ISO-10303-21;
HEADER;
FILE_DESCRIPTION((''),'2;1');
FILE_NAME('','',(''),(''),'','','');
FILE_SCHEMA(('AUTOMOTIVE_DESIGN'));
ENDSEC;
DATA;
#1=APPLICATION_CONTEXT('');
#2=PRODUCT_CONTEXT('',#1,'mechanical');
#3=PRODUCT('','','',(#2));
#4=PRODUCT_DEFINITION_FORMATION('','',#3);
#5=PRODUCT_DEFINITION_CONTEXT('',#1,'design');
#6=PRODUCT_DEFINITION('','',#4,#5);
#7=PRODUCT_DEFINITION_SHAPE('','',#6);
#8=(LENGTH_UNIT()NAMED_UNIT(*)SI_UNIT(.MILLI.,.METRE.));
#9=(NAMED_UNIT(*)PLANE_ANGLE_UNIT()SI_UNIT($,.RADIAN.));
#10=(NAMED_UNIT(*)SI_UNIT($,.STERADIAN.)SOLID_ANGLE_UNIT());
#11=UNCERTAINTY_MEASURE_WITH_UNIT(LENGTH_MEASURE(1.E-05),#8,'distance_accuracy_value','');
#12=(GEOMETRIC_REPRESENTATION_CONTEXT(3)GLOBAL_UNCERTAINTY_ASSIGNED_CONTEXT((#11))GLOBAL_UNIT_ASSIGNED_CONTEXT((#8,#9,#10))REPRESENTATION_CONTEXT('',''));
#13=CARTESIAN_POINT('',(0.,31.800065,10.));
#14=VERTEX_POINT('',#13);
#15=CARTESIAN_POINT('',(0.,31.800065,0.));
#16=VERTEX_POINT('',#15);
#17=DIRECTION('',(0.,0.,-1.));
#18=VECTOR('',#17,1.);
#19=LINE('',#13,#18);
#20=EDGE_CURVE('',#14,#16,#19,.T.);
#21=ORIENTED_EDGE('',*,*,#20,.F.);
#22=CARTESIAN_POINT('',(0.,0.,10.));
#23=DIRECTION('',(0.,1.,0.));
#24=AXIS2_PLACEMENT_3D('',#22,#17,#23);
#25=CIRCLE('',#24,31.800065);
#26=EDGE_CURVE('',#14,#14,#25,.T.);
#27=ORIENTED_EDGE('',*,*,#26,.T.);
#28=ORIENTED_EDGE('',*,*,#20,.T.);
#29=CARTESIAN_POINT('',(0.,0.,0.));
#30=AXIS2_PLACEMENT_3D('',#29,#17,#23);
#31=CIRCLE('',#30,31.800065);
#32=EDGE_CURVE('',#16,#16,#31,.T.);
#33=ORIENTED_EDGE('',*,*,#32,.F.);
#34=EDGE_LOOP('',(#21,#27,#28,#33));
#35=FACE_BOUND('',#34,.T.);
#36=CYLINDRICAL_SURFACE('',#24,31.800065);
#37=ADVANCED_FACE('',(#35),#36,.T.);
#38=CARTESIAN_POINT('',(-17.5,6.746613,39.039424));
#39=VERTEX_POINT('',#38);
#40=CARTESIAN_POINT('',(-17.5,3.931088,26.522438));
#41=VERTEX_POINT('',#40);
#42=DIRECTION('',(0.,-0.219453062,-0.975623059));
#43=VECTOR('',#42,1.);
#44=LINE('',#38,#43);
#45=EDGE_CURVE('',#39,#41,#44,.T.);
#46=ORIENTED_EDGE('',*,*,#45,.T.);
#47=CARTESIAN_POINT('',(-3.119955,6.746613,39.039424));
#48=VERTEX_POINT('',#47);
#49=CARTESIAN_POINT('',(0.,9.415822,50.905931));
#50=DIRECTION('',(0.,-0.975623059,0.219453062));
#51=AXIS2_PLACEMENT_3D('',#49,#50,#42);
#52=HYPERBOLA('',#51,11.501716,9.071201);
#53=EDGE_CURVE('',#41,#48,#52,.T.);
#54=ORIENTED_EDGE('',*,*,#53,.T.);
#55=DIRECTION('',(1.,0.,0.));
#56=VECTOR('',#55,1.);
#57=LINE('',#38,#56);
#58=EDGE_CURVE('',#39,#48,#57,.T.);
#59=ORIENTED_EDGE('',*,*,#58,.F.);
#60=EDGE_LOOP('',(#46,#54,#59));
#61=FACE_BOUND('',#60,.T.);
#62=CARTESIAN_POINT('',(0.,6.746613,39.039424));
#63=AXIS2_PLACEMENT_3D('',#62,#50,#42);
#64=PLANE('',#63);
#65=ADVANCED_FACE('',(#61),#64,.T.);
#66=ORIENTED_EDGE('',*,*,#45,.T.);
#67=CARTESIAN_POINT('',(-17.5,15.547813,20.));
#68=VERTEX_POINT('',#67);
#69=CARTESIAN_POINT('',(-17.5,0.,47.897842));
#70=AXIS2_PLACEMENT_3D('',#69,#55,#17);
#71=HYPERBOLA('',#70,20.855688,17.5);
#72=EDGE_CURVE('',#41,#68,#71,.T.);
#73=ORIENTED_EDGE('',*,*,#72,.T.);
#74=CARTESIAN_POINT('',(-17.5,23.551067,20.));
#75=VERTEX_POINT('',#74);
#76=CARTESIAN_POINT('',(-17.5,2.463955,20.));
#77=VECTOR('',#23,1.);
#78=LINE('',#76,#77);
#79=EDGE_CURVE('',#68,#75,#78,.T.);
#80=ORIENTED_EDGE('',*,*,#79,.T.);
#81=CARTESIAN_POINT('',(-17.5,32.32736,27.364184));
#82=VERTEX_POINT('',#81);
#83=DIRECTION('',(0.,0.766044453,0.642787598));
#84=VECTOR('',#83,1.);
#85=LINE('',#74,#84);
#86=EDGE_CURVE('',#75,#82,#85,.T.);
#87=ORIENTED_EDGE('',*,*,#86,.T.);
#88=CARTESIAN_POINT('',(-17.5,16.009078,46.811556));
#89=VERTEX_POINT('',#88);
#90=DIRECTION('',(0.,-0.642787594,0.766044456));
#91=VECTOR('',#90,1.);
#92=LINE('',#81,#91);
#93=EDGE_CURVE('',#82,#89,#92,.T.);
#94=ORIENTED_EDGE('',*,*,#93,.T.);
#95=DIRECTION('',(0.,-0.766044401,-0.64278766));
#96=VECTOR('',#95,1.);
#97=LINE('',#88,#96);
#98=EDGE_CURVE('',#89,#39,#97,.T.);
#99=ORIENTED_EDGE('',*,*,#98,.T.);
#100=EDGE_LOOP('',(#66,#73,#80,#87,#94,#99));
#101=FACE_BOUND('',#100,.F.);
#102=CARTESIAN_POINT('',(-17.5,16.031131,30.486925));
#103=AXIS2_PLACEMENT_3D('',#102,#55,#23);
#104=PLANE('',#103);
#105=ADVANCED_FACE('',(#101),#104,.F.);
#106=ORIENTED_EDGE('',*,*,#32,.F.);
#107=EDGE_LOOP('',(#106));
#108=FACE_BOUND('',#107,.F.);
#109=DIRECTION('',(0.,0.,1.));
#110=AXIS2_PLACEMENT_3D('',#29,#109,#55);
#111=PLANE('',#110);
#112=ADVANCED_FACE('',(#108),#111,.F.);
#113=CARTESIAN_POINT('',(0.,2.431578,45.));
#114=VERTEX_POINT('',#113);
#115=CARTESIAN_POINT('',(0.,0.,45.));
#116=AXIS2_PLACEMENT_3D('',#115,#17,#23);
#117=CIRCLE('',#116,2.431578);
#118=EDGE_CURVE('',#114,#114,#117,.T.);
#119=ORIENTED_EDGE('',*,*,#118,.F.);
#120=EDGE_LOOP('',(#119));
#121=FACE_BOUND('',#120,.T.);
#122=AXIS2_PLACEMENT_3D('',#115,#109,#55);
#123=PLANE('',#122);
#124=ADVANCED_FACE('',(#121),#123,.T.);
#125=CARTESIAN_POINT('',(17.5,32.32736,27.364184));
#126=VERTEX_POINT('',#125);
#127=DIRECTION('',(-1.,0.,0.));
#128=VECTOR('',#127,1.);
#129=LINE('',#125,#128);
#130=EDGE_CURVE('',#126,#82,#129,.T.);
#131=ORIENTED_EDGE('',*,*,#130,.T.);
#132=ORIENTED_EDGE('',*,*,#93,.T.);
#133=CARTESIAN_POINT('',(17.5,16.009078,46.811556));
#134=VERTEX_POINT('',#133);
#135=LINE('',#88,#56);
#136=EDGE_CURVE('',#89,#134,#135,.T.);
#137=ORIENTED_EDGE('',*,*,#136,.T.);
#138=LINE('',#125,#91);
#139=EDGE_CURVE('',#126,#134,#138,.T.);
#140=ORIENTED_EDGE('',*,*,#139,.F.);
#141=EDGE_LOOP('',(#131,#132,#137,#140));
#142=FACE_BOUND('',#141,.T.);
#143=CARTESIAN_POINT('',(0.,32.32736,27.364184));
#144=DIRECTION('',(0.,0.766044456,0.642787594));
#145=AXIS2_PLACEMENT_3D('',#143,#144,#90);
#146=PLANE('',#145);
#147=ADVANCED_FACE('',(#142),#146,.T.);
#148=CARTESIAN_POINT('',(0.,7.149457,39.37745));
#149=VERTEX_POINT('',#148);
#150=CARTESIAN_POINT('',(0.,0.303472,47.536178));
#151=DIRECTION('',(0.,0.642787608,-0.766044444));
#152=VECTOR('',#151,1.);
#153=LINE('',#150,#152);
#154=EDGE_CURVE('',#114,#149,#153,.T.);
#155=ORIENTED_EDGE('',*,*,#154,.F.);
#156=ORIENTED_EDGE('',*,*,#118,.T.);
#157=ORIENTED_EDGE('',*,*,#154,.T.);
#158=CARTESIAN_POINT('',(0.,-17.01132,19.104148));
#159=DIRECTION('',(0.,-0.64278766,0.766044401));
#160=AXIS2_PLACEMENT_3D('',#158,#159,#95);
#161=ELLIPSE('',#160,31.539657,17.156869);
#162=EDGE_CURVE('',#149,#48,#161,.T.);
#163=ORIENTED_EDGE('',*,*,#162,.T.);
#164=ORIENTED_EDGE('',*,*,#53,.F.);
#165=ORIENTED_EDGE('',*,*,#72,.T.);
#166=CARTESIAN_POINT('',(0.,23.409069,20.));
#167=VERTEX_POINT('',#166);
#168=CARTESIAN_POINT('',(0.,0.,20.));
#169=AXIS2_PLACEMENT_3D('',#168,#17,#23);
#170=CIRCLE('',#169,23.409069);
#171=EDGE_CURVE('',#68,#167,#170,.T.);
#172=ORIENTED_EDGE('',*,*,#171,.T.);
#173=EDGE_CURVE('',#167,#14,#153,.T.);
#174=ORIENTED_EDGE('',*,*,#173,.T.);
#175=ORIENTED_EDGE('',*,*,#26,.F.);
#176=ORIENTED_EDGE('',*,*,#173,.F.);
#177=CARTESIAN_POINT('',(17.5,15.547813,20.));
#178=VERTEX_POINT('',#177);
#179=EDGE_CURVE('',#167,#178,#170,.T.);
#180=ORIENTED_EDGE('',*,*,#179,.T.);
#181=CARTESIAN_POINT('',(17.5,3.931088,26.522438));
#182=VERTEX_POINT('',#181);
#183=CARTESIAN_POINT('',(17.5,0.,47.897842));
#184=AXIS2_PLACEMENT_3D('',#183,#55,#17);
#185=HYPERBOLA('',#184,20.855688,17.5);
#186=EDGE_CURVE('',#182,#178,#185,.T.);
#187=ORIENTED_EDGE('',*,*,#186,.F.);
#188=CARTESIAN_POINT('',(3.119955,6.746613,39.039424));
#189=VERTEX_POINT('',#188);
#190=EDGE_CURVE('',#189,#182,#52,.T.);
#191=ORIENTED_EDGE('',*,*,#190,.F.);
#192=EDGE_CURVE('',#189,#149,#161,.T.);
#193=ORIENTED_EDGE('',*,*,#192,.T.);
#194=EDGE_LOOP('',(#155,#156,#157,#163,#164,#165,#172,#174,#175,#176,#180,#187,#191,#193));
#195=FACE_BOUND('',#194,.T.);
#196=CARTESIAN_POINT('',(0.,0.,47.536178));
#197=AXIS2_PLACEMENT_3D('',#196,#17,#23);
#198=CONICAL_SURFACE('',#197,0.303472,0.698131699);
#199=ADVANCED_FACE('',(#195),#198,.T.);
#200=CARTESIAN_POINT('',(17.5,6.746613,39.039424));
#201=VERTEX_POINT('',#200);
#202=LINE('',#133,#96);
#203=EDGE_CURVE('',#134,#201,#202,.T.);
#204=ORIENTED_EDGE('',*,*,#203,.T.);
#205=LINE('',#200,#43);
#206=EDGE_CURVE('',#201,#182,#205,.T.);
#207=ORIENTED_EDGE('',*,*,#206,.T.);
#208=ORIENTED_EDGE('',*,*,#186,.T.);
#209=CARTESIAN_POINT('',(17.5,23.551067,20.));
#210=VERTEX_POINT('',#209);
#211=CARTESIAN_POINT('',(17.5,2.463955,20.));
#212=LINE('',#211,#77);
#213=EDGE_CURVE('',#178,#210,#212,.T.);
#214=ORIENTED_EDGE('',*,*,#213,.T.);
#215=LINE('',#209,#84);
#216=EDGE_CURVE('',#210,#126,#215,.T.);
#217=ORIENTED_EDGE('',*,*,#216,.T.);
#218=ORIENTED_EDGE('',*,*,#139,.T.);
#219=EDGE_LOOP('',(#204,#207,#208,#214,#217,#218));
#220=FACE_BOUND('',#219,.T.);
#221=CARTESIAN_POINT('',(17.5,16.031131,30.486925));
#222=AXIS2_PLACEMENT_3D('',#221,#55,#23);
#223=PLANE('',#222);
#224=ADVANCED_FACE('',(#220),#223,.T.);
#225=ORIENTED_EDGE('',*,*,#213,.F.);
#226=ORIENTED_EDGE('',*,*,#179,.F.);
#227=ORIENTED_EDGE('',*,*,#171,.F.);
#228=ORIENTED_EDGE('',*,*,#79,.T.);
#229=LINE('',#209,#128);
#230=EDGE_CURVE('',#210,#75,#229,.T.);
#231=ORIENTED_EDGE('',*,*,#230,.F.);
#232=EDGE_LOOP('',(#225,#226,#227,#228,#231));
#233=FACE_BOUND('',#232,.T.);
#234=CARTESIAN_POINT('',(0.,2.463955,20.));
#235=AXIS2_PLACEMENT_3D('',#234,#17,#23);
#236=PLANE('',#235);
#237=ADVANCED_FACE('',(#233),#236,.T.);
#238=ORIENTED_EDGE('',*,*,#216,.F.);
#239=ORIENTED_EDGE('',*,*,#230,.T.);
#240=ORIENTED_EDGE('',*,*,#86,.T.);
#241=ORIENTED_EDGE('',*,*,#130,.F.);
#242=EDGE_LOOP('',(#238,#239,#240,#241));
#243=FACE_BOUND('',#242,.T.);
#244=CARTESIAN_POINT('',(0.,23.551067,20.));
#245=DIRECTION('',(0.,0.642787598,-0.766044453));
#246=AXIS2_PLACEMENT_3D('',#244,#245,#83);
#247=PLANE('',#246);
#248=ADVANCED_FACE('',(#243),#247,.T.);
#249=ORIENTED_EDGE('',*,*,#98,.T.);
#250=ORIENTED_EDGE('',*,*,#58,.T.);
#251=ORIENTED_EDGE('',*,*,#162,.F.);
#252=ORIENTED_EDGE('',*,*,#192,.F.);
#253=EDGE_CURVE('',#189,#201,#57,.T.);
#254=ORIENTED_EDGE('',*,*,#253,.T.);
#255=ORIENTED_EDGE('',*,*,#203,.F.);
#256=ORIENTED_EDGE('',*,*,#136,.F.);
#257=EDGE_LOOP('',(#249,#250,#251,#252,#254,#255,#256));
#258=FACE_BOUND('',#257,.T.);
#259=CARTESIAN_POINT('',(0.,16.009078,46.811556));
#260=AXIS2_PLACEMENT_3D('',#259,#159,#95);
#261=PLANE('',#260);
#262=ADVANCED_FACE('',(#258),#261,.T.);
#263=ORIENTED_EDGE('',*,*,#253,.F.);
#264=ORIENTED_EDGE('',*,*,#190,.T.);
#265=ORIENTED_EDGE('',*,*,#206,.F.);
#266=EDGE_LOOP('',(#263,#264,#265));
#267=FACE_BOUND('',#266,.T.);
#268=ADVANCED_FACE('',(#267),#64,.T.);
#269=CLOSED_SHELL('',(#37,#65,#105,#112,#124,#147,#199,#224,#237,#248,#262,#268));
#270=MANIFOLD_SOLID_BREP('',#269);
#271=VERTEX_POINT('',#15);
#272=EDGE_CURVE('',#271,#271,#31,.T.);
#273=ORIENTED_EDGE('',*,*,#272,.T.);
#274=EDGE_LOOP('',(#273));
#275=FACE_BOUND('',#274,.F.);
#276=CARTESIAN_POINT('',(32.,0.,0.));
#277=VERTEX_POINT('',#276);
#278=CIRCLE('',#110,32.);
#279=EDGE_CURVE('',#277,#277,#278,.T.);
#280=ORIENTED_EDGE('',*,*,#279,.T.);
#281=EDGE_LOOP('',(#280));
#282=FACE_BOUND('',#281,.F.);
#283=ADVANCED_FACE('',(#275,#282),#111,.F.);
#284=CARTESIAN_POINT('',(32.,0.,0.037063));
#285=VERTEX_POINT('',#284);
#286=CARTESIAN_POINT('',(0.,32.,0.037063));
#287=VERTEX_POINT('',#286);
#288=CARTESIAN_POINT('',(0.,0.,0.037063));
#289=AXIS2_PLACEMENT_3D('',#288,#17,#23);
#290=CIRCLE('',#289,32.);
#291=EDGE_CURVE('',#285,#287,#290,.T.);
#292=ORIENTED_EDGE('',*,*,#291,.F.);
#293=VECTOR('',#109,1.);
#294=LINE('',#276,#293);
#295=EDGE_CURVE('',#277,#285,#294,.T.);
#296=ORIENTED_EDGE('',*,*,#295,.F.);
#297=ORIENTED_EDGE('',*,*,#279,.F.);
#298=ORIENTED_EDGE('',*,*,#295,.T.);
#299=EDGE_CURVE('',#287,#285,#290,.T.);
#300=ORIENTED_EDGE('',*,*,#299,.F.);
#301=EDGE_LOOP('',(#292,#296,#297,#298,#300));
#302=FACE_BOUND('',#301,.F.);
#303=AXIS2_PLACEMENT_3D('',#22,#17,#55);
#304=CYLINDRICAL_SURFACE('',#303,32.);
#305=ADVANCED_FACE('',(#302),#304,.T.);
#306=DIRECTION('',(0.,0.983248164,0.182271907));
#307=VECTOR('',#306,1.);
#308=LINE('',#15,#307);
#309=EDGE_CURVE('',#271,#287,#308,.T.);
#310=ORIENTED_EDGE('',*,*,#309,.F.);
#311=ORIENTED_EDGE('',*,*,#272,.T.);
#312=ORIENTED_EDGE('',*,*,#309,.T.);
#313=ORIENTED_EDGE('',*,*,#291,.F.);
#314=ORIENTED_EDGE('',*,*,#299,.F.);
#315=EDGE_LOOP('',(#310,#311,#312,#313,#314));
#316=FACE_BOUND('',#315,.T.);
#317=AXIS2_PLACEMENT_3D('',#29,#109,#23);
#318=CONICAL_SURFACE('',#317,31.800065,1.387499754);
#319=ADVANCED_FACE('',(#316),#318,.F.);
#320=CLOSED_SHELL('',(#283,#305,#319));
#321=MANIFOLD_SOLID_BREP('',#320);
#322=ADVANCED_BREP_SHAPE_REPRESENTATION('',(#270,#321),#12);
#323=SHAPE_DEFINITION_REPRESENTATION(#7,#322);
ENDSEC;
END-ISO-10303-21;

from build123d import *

# Parameters (mm, degrees)
F0_R      = 32
F1_DEPTH  = 10
F1_FACE_R = 32
F2_DEPTH  = 35
F6_DEPTH  = 17.5


with BuildPart() as f1:
    # F0 (on Top) → F1 (new body)
    with BuildSketch(Plane.XY):
        Circle(F0_R)
    extrude(amount=F1_DEPTH)

    # F1_face (on face) → F2 (join)
    with BuildSketch(Plane.XY.offset(10)):
        Circle(F1_FACE_R)
    extrude(amount=F2_DEPTH)

    # F3 (on Right) → F4 (revolve, cut)
    with BuildSketch(Plane.YZ):
        Polygon((35.553046, 47.536178), (0.303472, 47.536178), (31.800065, 10), (31.800065, 0), (39.023295, 1.339023), (40.083904, 13.93372), align=None)
    revolve(axis=Axis((0, 0, 24.252612), (0, 0, -1)), mode=Mode.SUBTRACT)

    # F5 (on Right) → F6 (join, symmetric)
    with BuildSketch(Plane.YZ):
        Polygon((32.32736, 27.364184), (16.009078, 46.811556), (6.746613, 39.039424), (2.463955, 20), (23.551067, 20), align=None)
    extrude(amount=F6_DEPTH, both=True)


solid = f1.part
